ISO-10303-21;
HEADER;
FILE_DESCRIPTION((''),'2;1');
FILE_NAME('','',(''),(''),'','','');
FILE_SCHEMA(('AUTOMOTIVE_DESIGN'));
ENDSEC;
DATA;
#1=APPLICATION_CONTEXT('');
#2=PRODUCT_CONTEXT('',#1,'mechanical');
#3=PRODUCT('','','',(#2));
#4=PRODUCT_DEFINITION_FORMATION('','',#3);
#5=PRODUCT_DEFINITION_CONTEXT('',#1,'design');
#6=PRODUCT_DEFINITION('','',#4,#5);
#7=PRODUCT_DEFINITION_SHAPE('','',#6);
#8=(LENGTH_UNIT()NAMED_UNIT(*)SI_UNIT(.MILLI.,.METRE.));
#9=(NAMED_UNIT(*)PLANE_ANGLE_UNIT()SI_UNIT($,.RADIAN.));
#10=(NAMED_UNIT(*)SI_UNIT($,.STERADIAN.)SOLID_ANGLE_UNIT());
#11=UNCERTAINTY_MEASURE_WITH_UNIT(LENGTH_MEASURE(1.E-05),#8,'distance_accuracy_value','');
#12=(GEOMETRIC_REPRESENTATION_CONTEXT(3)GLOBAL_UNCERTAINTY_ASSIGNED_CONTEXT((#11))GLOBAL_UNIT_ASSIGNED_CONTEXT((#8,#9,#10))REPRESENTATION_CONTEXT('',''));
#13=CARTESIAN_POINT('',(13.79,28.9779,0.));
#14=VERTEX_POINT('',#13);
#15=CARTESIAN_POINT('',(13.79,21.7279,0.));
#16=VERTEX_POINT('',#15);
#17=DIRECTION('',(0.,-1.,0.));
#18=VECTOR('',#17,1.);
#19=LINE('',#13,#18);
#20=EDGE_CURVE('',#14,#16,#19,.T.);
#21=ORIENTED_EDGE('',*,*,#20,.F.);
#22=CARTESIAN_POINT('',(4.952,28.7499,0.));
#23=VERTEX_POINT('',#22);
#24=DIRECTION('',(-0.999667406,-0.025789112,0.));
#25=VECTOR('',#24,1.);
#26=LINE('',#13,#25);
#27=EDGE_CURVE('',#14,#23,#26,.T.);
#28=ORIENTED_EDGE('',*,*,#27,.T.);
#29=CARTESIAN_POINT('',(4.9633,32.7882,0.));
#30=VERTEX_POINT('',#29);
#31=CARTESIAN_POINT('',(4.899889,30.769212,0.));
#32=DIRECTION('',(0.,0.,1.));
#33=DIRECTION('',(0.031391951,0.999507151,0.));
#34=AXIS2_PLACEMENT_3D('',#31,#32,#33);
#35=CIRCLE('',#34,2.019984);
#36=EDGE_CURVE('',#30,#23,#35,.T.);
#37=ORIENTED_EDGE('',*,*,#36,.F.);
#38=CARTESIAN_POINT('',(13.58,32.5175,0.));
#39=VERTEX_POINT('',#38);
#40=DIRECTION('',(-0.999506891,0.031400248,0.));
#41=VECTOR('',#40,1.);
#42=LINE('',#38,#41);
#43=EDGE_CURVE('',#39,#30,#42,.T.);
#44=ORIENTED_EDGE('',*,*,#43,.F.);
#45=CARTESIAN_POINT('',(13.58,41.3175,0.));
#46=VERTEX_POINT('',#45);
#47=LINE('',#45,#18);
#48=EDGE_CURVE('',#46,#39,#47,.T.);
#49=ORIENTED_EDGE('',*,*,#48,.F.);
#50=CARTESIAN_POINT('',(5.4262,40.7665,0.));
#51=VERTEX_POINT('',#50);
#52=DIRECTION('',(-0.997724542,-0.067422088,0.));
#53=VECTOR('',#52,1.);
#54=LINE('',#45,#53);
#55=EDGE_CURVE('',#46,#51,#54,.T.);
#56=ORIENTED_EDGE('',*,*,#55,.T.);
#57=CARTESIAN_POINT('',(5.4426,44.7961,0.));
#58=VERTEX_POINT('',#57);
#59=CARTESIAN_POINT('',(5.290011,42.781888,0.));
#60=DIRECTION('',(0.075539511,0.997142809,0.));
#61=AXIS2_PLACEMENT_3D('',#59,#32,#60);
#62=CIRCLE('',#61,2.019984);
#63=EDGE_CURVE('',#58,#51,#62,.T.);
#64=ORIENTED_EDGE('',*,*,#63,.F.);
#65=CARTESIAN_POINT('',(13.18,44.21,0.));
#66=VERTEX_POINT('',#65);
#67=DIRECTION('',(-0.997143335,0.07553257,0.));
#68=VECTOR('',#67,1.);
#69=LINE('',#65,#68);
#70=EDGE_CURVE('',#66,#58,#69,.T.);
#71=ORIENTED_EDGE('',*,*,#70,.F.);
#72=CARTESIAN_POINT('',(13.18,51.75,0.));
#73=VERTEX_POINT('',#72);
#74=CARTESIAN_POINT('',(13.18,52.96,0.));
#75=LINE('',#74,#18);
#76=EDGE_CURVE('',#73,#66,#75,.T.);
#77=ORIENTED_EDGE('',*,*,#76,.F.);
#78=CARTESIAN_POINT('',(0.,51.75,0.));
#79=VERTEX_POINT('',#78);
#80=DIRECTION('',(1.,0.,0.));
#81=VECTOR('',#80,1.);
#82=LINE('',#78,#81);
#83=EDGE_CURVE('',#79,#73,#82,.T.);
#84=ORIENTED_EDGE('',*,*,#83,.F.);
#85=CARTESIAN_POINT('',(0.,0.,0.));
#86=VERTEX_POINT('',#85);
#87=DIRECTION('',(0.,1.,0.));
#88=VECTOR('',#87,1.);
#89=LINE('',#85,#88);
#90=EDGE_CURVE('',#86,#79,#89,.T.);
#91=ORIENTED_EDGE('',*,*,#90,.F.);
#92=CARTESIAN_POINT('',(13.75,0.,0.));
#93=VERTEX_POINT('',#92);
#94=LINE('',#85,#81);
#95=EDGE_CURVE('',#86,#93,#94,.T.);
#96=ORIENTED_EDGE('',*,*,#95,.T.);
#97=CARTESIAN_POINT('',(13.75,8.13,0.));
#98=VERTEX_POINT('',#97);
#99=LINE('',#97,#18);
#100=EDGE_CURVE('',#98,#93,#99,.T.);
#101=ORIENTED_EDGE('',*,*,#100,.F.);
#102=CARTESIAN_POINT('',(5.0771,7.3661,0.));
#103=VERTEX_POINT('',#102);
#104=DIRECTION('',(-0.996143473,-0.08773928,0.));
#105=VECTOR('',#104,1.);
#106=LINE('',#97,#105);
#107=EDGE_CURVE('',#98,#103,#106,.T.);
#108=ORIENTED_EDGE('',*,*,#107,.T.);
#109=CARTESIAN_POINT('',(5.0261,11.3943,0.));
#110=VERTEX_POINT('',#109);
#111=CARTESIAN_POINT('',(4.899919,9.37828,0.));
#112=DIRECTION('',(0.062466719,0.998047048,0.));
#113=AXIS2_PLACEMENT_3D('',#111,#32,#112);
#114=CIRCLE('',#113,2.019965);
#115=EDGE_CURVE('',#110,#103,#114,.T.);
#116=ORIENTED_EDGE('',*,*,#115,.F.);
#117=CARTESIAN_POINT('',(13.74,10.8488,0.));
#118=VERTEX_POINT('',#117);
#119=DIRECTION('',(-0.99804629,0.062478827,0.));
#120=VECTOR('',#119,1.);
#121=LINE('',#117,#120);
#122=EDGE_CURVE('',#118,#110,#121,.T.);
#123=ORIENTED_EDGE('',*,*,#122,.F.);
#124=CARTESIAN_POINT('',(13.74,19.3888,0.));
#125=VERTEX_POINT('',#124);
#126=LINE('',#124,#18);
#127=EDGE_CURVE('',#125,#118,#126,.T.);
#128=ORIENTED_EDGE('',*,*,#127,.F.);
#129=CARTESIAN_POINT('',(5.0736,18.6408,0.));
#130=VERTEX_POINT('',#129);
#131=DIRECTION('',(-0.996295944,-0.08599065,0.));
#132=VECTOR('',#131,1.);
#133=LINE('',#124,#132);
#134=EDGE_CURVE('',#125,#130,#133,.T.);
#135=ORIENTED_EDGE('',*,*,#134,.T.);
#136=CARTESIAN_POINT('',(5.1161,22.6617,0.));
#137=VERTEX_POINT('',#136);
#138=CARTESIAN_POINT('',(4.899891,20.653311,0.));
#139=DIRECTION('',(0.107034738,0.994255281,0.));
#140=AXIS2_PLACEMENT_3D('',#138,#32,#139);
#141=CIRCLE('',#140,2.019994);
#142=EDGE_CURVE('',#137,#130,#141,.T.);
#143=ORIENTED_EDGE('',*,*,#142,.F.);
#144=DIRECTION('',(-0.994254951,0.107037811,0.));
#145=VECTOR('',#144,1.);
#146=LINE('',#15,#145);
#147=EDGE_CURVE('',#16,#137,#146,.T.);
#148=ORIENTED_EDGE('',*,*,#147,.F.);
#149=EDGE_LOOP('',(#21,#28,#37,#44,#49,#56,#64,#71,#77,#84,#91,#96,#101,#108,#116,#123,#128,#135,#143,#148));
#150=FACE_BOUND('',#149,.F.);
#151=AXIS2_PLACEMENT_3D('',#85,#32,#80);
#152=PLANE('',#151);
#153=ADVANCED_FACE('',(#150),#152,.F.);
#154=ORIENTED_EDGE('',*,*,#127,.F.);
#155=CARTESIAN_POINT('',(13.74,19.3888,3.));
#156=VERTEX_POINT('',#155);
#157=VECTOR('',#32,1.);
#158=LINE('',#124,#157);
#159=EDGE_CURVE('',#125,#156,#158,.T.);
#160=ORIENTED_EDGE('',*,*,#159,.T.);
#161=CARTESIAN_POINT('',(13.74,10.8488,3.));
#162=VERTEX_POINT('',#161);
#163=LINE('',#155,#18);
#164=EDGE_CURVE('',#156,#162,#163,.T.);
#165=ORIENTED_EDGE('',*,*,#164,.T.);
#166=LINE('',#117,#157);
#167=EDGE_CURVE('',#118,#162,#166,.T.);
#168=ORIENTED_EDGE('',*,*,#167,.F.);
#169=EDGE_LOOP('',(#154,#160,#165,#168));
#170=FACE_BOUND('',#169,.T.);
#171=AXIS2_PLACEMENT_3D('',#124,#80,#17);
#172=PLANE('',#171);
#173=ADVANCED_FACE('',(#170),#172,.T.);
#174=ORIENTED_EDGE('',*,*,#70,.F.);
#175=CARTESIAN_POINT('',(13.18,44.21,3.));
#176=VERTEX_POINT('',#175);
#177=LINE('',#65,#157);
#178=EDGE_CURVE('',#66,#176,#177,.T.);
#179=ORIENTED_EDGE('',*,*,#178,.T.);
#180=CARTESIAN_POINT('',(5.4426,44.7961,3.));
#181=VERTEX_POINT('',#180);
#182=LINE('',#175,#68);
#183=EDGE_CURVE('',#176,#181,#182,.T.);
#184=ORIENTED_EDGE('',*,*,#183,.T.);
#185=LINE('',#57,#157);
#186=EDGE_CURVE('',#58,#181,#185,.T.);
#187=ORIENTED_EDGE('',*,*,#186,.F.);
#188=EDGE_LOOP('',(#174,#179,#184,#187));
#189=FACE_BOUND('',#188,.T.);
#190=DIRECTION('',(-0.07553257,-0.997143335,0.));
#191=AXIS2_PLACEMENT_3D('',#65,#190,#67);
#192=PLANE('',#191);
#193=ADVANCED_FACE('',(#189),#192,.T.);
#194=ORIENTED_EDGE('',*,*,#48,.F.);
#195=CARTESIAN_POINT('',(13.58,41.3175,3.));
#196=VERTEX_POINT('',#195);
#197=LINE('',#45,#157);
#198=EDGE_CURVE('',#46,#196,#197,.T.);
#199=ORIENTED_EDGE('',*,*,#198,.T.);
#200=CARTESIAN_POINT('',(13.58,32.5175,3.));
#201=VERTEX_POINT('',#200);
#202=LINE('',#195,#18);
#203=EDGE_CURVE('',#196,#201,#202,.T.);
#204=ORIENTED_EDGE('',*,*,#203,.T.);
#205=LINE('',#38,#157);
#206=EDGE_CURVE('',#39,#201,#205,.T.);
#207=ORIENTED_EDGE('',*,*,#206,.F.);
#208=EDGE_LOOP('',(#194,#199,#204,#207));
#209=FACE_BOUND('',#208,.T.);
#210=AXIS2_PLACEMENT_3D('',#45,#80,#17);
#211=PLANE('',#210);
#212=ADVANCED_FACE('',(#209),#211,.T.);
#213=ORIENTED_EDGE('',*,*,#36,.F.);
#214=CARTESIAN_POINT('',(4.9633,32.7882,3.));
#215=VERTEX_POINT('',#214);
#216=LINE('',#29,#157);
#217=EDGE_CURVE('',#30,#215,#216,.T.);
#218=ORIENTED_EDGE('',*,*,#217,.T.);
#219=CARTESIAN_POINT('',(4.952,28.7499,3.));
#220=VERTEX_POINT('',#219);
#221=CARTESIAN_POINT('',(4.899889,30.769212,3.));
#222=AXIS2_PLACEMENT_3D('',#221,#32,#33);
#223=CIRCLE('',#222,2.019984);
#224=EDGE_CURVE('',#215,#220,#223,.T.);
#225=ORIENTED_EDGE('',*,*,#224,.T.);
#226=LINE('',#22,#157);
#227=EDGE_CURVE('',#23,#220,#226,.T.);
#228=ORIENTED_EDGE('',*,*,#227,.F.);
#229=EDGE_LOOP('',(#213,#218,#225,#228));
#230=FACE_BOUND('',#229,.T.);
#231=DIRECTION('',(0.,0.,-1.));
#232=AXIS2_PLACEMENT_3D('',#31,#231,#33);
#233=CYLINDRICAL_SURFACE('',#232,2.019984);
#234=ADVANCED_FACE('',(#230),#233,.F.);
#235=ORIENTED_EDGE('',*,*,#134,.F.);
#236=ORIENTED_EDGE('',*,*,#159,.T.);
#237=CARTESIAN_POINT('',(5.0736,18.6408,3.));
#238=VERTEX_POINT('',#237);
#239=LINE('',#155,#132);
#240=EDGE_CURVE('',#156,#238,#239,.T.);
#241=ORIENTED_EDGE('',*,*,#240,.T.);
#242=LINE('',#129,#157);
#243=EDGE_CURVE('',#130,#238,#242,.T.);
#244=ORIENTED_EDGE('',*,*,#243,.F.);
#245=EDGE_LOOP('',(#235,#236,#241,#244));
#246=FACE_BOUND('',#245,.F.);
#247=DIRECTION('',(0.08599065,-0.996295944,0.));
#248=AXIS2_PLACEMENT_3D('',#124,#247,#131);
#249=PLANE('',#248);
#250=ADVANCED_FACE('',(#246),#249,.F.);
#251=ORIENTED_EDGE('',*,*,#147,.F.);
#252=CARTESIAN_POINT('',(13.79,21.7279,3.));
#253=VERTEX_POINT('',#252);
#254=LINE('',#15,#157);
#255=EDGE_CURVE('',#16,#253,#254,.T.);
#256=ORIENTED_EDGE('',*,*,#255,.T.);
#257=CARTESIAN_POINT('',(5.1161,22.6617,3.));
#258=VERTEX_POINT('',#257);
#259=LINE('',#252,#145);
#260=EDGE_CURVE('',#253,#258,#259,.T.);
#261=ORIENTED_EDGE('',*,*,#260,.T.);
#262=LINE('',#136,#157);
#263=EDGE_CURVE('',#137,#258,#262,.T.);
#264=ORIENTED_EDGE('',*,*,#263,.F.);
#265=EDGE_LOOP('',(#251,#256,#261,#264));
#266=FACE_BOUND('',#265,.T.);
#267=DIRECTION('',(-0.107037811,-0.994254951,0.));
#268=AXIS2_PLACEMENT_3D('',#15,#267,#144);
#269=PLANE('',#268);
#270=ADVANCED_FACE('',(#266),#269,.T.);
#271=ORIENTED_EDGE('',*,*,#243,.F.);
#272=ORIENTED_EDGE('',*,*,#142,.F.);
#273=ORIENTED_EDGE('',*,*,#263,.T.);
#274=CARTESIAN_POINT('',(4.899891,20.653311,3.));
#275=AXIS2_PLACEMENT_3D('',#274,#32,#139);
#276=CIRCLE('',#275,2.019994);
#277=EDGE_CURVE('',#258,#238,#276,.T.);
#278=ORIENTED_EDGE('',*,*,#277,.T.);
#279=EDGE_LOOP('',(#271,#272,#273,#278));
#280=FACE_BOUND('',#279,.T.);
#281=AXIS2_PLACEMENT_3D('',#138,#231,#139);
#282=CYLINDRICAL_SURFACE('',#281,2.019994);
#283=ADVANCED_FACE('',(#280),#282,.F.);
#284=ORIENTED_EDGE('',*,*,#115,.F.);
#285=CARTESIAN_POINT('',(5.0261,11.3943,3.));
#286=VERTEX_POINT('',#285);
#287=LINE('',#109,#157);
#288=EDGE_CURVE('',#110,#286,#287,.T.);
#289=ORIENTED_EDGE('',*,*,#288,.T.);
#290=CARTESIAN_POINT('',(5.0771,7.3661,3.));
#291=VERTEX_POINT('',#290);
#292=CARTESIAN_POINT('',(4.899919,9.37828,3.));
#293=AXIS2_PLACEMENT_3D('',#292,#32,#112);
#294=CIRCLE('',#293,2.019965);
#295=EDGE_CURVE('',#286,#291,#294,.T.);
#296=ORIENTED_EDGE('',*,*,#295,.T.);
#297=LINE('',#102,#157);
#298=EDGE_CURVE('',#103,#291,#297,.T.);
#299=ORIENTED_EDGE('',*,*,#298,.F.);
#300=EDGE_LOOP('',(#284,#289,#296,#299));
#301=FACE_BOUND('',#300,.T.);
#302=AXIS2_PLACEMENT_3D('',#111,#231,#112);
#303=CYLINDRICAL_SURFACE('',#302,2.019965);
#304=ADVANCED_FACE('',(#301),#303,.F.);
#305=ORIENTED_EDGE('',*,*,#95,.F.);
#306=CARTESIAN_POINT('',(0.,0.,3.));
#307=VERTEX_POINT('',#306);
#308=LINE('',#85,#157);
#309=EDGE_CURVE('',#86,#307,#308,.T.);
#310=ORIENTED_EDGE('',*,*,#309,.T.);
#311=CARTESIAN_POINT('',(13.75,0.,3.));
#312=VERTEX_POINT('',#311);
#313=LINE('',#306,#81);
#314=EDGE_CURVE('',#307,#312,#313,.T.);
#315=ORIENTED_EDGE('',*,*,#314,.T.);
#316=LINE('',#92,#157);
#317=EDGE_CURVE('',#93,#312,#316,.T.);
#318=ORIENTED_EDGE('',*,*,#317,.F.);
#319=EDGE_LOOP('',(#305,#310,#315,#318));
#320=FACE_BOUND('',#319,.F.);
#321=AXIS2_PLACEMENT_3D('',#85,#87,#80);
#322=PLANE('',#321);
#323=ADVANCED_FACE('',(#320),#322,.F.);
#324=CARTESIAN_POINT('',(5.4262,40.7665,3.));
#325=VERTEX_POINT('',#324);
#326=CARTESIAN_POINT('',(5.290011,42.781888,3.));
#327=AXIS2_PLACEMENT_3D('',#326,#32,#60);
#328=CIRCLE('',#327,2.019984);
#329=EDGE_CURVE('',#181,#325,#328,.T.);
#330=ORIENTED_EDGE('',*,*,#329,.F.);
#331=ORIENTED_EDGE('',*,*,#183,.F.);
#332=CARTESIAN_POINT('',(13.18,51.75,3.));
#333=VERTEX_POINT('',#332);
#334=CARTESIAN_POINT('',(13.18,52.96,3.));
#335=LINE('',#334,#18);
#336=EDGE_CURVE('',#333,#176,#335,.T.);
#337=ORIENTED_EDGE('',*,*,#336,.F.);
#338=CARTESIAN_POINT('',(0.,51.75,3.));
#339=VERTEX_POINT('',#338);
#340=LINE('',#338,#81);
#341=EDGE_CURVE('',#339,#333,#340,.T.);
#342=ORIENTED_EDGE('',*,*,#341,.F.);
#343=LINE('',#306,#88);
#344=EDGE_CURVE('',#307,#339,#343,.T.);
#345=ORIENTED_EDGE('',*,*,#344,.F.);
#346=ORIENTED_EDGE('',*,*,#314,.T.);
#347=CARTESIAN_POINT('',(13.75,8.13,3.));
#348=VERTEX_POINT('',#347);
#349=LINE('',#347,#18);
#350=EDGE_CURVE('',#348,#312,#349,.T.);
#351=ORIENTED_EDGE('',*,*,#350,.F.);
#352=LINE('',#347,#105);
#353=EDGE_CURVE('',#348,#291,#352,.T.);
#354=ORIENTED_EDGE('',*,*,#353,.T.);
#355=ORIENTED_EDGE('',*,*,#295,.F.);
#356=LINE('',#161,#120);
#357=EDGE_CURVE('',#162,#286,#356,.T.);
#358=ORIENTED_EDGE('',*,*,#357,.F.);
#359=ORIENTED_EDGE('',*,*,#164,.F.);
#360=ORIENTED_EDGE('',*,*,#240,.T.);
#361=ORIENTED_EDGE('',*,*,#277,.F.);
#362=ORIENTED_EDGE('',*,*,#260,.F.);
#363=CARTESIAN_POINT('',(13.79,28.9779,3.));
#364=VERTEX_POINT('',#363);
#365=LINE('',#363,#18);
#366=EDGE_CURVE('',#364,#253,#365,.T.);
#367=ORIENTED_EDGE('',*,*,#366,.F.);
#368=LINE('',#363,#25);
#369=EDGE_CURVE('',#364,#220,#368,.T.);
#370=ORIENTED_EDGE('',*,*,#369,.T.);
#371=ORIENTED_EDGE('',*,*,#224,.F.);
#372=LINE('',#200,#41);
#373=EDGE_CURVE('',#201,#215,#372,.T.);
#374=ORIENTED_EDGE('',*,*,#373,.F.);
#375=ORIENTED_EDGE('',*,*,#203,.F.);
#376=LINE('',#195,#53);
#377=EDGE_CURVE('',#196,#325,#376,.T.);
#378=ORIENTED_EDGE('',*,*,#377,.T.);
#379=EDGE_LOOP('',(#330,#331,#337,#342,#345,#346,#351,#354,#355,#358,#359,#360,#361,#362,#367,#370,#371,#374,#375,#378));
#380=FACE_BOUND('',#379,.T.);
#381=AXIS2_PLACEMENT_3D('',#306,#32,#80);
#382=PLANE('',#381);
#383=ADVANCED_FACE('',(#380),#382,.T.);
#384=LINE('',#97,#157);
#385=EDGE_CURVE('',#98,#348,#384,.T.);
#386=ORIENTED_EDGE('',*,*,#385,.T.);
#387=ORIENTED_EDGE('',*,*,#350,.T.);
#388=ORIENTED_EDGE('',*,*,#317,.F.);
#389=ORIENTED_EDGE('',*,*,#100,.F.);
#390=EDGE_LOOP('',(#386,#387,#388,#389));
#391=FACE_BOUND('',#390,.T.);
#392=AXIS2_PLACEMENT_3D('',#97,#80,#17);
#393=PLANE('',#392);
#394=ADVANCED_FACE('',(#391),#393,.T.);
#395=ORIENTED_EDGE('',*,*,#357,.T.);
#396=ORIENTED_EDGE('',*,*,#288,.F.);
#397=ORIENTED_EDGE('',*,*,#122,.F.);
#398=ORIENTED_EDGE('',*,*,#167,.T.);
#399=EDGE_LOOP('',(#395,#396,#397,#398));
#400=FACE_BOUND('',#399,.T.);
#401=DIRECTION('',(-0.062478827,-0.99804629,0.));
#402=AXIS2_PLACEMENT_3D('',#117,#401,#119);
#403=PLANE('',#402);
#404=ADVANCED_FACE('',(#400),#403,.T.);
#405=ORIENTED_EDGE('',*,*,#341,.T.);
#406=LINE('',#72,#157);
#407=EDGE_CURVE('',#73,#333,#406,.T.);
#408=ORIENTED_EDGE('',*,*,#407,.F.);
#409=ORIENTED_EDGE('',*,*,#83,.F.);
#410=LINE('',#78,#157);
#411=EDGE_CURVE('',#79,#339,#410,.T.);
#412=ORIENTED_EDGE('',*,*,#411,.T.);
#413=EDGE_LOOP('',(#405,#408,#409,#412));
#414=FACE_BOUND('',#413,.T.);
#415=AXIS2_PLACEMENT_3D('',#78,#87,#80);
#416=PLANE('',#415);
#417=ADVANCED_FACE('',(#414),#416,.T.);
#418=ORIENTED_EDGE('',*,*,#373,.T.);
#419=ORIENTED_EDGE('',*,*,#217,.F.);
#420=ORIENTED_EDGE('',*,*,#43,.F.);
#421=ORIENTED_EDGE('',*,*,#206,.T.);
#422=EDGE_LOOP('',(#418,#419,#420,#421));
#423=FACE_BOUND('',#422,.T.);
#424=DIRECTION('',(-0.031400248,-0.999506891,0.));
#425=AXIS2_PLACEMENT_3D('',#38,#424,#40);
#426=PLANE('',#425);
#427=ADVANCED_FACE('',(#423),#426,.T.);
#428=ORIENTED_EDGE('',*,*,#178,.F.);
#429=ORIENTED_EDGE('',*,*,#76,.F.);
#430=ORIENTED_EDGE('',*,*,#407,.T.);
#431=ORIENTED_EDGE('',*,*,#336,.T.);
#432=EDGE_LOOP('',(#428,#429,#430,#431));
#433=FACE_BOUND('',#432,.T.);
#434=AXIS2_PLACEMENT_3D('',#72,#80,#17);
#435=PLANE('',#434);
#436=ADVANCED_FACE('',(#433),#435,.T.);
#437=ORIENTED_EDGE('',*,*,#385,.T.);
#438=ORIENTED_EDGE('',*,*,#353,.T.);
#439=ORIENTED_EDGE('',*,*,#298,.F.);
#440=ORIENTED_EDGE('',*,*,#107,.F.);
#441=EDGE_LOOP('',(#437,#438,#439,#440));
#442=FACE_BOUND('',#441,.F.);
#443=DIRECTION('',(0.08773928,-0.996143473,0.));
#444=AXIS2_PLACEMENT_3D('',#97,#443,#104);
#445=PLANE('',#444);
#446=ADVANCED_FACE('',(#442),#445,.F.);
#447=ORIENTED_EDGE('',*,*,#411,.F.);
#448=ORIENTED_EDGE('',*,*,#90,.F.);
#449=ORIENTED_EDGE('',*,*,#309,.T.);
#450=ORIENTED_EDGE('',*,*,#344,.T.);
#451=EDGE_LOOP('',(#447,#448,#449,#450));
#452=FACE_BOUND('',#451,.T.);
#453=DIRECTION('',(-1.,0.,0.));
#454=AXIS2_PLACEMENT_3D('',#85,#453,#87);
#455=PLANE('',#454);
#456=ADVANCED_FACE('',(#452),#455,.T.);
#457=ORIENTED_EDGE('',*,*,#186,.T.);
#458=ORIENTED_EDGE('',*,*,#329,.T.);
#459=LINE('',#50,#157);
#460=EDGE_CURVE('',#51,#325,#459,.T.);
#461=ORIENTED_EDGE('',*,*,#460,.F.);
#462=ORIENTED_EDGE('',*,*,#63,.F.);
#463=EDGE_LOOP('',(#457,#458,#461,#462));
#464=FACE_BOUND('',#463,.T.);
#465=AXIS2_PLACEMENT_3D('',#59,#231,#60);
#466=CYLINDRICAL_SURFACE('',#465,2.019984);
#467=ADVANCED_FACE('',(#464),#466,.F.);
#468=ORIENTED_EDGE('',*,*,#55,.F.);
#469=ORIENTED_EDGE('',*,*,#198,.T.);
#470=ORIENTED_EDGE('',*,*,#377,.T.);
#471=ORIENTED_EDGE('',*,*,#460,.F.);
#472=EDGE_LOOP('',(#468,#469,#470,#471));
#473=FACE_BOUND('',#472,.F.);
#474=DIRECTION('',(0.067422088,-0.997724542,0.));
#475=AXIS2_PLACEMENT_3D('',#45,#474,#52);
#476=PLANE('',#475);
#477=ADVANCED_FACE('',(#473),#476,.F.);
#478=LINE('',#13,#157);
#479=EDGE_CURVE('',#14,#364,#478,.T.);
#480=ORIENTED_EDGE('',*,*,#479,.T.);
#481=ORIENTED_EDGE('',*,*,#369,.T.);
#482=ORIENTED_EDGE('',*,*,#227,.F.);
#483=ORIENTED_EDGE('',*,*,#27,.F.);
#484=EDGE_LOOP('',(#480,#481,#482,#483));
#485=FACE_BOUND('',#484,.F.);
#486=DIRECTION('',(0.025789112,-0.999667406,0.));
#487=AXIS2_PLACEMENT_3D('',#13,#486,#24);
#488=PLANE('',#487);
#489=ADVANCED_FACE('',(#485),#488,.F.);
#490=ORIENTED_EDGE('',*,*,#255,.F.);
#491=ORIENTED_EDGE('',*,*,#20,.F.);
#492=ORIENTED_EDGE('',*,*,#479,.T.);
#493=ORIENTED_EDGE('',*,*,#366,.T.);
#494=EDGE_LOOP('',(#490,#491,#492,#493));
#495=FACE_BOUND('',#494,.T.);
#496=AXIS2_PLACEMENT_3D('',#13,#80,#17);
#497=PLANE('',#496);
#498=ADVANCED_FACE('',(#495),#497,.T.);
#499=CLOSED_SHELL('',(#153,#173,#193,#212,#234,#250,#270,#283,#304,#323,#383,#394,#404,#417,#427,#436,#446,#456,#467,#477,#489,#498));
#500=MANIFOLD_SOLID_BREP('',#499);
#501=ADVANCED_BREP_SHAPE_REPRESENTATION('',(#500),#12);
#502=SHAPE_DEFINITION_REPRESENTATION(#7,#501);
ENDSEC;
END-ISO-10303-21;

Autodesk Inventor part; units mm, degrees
ref_plane "YZ Plane" through (0, 0, 0) normal (1, 0, 0) x (0, 1, 0)
ref_plane "XZ Plane" through (0, 0, 0) normal (0, 1, 0) x (-1, 0, 0)
ref_plane "XY Plane" through (0, 0, 0) normal (0, 0, 1) x (1, 0, 0)
sketch "Sketch1" plane through (0, 0, 0) normal (0, 0, 1) x (1, 0, 0)
  line L0 (0, 0) -> (0, 51.75)
  line L1 (0, 51.75) -> (13.18, 51.75)
  line L2 (13.18, 51.75) -> (13.18, 52.96)
  line L3 (13.18, 52.96) -> (0, 51.75)
  line L4 (13.18, 52.96) -> (13.18, 44.21)
  line L5 (13.58, 41.3175) -> (13.58, 32.5175)
  line L6 (13.79, 28.9779) -> (13.79, 21.7279)
  line L7 (13.74, 19.3888) -> (13.74, 10.8488)
  line L8 (13.75, 8.13) -> (13.75, 0)
  line L9 (0, 0) -> (13.75, 0)
  arc A0 (5.0261, 11.3943) -> (5.0771, 7.3661) centre (4.8999, 9.3783) ccw
  arc A1 (5.1161, 22.6617) -> (5.0736, 18.6408) centre (4.8999, 20.6533) ccw
  arc A2 (4.9633, 32.7882) -> (4.952, 28.7499) centre (4.8999, 30.7692) ccw
  arc A3 (5.4426, 44.7961) -> (5.4262, 40.7665) centre (5.29, 42.7819) ccw
  line L10 (13.18, 44.21) -> (5.4426, 44.7961)
  line L11 (13.58, 41.3175) -> (5.4262, 40.7665)
  line L12 (13.58, 32.5175) -> (4.9633, 32.7882)
  line L13 (13.79, 28.9779) -> (4.952, 28.7499)
  line L14 (13.79, 21.7279) -> (5.1161, 22.6617)
  line L15 (13.74, 19.3888) -> (5.0736, 18.6408)
  line L16 (13.74, 10.8488) -> (5.0261, 11.3943)
  line L17 (13.75, 8.13) -> (5.0771, 7.3661)
  point P0 (13.58, 36.9175)
  point P1 (0, 25.875)
  point P2 (13.79, 25.3529)
  point P3 (13.75, 4.065)
  dimension "d0" = 51.75
  dimension "d1" = 13.18
  dimension "d2" = 1.21
  dimension "d3" = 8.75
  dimension "d5" = 8.8
  dimension "d6" = 13.58
  dimension "d7" = 7.25
  dimension "d8" = 13.79
  dimension "d9" = 8.54
  dimension "d10" = 13.74
  dimension "d11" = 8.13
  dimension "d12" = 13.75
  dimension "d13" = 4.04
  dimension "d14" = 4.04
  dimension "d15" = 4.04
  dimension "d16" = 4.04
  dimension "d17" = 7.89
extrude "Extrusion1" add sketch "Sketch1" along normal blind 3 contours L0 L1 L4 L10 A3 L11 L5 L12 A2 L13 L6 L14 A1 L15 L7 L16 A0 L17 L8 L9
